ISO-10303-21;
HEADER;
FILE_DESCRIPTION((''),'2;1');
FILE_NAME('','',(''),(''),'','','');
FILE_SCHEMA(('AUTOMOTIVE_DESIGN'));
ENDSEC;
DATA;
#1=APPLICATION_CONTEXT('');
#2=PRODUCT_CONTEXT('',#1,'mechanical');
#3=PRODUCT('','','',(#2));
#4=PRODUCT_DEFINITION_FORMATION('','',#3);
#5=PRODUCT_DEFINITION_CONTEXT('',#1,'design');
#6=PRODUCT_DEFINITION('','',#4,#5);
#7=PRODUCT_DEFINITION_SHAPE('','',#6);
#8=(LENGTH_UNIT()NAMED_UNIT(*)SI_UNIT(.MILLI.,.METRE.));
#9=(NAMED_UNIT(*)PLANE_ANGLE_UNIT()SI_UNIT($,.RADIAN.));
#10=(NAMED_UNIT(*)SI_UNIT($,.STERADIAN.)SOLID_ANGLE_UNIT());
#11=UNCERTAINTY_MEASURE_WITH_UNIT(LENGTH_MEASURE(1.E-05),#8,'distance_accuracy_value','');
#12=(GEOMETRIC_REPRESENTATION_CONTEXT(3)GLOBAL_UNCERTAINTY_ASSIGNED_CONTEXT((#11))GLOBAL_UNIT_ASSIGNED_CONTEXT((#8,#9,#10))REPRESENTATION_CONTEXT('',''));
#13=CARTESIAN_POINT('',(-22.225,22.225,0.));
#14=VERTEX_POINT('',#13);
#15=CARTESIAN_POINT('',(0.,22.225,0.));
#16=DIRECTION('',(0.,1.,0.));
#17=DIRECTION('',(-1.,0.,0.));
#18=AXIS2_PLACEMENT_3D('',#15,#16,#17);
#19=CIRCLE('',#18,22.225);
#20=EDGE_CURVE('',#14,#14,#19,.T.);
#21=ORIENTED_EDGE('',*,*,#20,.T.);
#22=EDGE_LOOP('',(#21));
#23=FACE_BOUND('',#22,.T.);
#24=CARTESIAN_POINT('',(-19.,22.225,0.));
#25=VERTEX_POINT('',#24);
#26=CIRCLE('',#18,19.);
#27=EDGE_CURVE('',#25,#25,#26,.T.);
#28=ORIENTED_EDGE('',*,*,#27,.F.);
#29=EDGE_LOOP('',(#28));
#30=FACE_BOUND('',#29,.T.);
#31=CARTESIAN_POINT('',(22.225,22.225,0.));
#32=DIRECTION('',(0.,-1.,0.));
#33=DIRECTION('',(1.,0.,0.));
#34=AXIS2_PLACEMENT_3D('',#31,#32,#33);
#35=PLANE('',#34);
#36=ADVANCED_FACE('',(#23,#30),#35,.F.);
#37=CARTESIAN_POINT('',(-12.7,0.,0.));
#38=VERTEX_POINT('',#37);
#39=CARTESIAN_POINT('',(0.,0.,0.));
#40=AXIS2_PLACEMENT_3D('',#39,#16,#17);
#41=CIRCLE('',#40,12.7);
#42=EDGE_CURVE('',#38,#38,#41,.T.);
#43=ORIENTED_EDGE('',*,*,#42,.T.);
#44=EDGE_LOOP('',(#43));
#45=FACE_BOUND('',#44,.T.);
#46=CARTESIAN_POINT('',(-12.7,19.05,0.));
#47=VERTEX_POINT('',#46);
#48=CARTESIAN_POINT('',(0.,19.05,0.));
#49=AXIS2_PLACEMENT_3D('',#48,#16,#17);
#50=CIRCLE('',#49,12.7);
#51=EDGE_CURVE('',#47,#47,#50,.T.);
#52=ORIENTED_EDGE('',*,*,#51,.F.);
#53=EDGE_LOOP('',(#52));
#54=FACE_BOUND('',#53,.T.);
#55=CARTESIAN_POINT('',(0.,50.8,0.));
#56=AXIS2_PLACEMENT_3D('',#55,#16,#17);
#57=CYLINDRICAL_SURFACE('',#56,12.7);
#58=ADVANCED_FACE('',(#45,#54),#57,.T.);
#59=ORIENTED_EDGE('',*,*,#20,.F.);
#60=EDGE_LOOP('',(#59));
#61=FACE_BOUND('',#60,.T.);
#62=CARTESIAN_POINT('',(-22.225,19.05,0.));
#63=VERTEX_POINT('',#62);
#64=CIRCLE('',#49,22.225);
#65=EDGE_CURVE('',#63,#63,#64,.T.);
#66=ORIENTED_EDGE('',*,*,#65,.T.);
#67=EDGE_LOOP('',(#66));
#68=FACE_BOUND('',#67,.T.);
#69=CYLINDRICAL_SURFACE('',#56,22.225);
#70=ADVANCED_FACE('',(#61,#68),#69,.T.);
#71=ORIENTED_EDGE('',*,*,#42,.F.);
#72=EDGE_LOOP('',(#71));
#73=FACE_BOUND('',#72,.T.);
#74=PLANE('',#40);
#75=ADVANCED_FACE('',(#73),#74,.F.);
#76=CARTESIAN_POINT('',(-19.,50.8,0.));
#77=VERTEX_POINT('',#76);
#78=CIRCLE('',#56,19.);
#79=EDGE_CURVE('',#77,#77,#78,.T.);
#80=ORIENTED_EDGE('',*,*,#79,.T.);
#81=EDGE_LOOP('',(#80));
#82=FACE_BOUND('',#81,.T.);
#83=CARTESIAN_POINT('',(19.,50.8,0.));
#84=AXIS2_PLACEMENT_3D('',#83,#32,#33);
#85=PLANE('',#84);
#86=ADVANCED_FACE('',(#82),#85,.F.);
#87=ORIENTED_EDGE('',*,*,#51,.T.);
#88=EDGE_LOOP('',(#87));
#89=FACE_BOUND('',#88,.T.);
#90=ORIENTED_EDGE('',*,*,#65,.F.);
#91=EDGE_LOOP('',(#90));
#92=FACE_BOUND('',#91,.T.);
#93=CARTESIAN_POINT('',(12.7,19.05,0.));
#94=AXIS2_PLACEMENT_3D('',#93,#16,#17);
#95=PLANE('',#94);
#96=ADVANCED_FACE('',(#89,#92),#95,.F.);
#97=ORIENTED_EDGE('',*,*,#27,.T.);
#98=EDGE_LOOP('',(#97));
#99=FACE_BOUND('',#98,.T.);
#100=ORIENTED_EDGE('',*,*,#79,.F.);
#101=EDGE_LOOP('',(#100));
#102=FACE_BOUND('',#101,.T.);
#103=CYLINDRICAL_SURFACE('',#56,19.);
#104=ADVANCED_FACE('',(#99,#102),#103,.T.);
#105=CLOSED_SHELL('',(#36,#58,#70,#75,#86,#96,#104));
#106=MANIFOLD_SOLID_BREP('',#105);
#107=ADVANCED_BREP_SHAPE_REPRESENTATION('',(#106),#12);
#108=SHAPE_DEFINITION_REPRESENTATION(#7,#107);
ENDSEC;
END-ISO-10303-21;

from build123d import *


with BuildPart() as part:
    # Sketch1 → Revolve1 (revolve)
    with BuildSketch(Plane.XY):
        Polygon((0, 0), (12.7, 0), (12.7, 19.05), (22.225, 19.05), (22.225, 22.225), (19, 22.225), (19, 50.8), (0, 50.8), align=None)
    revolve(axis=Axis((0, 50.8, 0), (0, -1, 0)))


solid = part.part
